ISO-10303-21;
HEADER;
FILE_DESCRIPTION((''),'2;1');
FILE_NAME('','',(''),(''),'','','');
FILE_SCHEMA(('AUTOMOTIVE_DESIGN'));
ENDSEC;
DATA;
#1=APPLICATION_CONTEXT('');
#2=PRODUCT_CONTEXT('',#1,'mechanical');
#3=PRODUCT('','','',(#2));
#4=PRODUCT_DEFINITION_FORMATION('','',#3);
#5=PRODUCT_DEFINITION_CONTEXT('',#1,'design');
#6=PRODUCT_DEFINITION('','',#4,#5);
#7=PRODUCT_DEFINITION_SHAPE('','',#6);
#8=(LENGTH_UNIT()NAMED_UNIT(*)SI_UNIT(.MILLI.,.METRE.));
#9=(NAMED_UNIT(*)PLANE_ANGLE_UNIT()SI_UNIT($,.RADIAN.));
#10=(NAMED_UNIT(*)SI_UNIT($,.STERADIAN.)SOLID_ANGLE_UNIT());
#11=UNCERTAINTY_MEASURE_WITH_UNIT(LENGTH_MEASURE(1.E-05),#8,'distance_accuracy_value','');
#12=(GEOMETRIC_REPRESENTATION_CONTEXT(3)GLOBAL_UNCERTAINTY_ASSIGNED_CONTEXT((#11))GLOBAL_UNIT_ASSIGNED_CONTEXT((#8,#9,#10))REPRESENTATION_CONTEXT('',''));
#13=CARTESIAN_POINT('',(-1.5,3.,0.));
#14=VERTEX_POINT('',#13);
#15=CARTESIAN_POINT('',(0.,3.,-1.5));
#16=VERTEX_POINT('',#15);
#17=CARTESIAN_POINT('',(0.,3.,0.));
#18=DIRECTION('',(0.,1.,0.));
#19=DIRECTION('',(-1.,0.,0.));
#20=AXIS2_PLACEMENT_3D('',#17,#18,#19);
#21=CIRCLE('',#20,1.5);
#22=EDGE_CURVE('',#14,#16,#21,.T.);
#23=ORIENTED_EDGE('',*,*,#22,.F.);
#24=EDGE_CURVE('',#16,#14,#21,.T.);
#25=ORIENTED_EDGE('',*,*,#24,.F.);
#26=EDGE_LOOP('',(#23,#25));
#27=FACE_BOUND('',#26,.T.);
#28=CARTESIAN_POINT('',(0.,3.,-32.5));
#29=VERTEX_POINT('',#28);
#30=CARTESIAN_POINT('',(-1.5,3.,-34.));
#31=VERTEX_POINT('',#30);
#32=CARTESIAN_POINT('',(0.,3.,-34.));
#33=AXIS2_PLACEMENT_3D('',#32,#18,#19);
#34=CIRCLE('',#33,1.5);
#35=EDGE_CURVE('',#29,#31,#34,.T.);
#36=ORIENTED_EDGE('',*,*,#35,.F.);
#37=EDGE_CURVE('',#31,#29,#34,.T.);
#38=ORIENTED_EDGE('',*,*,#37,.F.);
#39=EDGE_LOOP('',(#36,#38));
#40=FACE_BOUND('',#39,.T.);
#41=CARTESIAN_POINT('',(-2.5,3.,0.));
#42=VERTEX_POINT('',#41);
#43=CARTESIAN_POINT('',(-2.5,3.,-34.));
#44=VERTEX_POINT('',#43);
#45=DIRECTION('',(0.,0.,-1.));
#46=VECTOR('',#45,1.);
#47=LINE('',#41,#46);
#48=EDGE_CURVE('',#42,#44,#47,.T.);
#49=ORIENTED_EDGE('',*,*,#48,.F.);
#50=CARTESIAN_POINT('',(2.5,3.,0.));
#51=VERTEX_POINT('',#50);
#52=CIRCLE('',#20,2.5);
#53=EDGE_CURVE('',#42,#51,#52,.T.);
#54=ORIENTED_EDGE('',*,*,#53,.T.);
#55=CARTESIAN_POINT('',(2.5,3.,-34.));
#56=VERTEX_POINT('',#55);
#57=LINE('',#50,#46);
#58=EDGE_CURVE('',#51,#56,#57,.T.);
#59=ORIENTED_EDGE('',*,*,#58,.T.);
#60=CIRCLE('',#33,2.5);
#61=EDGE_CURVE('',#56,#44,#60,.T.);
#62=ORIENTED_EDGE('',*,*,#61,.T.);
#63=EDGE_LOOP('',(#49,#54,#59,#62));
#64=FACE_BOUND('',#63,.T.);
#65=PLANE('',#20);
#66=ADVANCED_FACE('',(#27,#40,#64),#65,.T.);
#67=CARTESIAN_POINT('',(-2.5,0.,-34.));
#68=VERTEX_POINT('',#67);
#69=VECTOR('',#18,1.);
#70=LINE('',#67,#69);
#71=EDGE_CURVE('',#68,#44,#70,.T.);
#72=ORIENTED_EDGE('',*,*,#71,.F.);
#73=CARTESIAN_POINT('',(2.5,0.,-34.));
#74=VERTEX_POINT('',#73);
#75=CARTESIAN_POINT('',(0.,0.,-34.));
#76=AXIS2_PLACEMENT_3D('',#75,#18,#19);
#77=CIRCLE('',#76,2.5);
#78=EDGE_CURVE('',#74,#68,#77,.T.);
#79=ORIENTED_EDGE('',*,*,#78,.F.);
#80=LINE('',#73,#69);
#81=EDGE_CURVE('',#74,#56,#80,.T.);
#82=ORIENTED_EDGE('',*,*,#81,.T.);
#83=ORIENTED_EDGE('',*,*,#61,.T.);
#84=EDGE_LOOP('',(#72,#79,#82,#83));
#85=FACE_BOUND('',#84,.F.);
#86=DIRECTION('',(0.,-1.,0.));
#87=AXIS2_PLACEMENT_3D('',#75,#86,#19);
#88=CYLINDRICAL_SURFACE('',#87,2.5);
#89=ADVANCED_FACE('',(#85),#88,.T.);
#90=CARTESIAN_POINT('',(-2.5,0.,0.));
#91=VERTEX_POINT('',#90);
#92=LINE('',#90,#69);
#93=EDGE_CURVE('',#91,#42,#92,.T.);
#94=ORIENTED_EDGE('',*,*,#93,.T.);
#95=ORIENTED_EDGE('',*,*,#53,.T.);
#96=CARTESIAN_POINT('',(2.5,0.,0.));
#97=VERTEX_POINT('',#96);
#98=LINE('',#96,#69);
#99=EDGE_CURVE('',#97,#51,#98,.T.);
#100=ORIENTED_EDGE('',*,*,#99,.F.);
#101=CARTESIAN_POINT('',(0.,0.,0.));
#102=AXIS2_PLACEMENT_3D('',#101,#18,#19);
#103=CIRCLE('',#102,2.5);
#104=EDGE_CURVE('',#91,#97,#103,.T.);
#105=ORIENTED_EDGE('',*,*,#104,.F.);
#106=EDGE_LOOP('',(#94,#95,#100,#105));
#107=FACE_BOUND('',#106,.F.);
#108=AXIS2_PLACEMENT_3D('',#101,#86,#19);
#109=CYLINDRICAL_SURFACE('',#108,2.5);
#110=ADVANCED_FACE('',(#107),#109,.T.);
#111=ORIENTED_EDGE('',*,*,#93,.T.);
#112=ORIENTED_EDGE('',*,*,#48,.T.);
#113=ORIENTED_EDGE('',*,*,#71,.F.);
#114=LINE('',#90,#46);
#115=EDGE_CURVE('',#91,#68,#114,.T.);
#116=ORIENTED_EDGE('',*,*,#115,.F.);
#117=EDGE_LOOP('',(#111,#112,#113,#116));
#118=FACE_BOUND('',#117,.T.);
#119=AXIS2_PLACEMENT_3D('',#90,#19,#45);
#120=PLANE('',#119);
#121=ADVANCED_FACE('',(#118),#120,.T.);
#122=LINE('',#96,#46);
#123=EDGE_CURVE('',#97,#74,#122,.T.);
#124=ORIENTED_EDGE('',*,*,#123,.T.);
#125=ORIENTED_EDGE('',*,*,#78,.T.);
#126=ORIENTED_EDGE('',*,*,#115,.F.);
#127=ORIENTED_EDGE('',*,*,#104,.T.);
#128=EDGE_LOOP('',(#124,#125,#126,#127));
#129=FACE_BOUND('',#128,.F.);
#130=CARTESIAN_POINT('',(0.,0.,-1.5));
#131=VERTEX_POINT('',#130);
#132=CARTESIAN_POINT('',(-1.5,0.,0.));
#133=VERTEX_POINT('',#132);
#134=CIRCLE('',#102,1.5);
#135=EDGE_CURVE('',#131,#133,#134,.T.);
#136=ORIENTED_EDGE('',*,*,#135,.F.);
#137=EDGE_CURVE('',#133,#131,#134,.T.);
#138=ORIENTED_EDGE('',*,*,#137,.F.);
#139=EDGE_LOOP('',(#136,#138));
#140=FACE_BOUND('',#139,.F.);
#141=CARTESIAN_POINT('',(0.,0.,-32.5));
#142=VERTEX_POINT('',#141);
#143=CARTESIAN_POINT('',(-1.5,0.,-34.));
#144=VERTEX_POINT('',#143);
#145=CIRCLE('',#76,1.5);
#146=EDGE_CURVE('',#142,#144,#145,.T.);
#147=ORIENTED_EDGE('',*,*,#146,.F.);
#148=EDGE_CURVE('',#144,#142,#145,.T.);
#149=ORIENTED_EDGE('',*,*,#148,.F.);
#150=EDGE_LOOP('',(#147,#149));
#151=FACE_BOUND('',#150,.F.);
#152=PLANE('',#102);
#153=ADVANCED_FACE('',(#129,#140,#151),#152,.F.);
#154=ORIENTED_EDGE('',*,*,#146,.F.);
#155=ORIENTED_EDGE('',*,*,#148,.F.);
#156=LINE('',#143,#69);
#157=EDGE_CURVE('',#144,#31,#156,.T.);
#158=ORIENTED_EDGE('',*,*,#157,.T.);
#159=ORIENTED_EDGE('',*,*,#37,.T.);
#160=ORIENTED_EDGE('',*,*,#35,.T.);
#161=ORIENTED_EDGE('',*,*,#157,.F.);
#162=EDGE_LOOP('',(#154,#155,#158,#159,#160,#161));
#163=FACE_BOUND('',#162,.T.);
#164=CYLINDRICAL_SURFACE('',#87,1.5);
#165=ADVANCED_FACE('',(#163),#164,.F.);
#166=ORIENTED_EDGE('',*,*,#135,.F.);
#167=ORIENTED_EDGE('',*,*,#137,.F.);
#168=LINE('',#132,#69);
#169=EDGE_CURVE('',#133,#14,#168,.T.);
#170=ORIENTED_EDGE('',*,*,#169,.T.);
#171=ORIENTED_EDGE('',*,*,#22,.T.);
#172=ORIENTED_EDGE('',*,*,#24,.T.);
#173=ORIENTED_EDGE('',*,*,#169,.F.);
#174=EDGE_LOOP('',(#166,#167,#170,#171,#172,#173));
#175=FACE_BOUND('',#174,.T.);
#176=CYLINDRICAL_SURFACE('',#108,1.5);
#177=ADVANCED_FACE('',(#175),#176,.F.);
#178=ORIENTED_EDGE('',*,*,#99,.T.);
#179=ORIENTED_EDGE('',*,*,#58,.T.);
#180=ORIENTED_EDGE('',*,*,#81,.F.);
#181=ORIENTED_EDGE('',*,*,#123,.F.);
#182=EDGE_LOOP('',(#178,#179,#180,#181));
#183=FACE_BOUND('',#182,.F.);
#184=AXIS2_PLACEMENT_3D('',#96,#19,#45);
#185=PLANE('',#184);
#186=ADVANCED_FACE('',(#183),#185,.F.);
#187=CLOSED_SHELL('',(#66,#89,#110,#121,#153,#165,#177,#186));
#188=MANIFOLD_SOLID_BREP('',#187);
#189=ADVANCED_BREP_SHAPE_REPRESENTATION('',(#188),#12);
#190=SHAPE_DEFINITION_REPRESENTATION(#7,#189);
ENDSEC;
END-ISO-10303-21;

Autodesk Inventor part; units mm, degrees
ref_plane "YZ Plane" through (0, 0, 0) normal (1, 0, 0) x (0, 1, 0)
ref_plane "XZ Plane" through (0, 0, 0) normal (0, 1, 0) x (-1, 0, 0)
ref_plane "XY Plane" through (0, 0, 0) normal (0, 0, 1) x (1, 0, 0)
sketch "Sketch1" plane through (0, 0, 0) normal (0, 1, 0) x (-1, 0, 0)
  line L0 (0, 0) -> (0, -34)
  circle A0 centre (0, 0) radius 1.5
  circle A1 centre (0, -34) radius 1.5
  circle A2 centre (0, 0) radius 2.5
  circle A3 centre (0, -34) radius 2.5
  line L1 (2.5, 0) -> (2.5, -34)
  line L2 (-2.5, 0) -> (-2.5, -34)
  dimension "d0" = 34
  dimension "d1" = 3
  dimension "d2" = 3
  dimension "d3" = 5
  dimension "d4" = 5
extrude "Extrusion1" add sketch "Sketch1" along normal blind 3
properties part number "tussenarm_motor"
